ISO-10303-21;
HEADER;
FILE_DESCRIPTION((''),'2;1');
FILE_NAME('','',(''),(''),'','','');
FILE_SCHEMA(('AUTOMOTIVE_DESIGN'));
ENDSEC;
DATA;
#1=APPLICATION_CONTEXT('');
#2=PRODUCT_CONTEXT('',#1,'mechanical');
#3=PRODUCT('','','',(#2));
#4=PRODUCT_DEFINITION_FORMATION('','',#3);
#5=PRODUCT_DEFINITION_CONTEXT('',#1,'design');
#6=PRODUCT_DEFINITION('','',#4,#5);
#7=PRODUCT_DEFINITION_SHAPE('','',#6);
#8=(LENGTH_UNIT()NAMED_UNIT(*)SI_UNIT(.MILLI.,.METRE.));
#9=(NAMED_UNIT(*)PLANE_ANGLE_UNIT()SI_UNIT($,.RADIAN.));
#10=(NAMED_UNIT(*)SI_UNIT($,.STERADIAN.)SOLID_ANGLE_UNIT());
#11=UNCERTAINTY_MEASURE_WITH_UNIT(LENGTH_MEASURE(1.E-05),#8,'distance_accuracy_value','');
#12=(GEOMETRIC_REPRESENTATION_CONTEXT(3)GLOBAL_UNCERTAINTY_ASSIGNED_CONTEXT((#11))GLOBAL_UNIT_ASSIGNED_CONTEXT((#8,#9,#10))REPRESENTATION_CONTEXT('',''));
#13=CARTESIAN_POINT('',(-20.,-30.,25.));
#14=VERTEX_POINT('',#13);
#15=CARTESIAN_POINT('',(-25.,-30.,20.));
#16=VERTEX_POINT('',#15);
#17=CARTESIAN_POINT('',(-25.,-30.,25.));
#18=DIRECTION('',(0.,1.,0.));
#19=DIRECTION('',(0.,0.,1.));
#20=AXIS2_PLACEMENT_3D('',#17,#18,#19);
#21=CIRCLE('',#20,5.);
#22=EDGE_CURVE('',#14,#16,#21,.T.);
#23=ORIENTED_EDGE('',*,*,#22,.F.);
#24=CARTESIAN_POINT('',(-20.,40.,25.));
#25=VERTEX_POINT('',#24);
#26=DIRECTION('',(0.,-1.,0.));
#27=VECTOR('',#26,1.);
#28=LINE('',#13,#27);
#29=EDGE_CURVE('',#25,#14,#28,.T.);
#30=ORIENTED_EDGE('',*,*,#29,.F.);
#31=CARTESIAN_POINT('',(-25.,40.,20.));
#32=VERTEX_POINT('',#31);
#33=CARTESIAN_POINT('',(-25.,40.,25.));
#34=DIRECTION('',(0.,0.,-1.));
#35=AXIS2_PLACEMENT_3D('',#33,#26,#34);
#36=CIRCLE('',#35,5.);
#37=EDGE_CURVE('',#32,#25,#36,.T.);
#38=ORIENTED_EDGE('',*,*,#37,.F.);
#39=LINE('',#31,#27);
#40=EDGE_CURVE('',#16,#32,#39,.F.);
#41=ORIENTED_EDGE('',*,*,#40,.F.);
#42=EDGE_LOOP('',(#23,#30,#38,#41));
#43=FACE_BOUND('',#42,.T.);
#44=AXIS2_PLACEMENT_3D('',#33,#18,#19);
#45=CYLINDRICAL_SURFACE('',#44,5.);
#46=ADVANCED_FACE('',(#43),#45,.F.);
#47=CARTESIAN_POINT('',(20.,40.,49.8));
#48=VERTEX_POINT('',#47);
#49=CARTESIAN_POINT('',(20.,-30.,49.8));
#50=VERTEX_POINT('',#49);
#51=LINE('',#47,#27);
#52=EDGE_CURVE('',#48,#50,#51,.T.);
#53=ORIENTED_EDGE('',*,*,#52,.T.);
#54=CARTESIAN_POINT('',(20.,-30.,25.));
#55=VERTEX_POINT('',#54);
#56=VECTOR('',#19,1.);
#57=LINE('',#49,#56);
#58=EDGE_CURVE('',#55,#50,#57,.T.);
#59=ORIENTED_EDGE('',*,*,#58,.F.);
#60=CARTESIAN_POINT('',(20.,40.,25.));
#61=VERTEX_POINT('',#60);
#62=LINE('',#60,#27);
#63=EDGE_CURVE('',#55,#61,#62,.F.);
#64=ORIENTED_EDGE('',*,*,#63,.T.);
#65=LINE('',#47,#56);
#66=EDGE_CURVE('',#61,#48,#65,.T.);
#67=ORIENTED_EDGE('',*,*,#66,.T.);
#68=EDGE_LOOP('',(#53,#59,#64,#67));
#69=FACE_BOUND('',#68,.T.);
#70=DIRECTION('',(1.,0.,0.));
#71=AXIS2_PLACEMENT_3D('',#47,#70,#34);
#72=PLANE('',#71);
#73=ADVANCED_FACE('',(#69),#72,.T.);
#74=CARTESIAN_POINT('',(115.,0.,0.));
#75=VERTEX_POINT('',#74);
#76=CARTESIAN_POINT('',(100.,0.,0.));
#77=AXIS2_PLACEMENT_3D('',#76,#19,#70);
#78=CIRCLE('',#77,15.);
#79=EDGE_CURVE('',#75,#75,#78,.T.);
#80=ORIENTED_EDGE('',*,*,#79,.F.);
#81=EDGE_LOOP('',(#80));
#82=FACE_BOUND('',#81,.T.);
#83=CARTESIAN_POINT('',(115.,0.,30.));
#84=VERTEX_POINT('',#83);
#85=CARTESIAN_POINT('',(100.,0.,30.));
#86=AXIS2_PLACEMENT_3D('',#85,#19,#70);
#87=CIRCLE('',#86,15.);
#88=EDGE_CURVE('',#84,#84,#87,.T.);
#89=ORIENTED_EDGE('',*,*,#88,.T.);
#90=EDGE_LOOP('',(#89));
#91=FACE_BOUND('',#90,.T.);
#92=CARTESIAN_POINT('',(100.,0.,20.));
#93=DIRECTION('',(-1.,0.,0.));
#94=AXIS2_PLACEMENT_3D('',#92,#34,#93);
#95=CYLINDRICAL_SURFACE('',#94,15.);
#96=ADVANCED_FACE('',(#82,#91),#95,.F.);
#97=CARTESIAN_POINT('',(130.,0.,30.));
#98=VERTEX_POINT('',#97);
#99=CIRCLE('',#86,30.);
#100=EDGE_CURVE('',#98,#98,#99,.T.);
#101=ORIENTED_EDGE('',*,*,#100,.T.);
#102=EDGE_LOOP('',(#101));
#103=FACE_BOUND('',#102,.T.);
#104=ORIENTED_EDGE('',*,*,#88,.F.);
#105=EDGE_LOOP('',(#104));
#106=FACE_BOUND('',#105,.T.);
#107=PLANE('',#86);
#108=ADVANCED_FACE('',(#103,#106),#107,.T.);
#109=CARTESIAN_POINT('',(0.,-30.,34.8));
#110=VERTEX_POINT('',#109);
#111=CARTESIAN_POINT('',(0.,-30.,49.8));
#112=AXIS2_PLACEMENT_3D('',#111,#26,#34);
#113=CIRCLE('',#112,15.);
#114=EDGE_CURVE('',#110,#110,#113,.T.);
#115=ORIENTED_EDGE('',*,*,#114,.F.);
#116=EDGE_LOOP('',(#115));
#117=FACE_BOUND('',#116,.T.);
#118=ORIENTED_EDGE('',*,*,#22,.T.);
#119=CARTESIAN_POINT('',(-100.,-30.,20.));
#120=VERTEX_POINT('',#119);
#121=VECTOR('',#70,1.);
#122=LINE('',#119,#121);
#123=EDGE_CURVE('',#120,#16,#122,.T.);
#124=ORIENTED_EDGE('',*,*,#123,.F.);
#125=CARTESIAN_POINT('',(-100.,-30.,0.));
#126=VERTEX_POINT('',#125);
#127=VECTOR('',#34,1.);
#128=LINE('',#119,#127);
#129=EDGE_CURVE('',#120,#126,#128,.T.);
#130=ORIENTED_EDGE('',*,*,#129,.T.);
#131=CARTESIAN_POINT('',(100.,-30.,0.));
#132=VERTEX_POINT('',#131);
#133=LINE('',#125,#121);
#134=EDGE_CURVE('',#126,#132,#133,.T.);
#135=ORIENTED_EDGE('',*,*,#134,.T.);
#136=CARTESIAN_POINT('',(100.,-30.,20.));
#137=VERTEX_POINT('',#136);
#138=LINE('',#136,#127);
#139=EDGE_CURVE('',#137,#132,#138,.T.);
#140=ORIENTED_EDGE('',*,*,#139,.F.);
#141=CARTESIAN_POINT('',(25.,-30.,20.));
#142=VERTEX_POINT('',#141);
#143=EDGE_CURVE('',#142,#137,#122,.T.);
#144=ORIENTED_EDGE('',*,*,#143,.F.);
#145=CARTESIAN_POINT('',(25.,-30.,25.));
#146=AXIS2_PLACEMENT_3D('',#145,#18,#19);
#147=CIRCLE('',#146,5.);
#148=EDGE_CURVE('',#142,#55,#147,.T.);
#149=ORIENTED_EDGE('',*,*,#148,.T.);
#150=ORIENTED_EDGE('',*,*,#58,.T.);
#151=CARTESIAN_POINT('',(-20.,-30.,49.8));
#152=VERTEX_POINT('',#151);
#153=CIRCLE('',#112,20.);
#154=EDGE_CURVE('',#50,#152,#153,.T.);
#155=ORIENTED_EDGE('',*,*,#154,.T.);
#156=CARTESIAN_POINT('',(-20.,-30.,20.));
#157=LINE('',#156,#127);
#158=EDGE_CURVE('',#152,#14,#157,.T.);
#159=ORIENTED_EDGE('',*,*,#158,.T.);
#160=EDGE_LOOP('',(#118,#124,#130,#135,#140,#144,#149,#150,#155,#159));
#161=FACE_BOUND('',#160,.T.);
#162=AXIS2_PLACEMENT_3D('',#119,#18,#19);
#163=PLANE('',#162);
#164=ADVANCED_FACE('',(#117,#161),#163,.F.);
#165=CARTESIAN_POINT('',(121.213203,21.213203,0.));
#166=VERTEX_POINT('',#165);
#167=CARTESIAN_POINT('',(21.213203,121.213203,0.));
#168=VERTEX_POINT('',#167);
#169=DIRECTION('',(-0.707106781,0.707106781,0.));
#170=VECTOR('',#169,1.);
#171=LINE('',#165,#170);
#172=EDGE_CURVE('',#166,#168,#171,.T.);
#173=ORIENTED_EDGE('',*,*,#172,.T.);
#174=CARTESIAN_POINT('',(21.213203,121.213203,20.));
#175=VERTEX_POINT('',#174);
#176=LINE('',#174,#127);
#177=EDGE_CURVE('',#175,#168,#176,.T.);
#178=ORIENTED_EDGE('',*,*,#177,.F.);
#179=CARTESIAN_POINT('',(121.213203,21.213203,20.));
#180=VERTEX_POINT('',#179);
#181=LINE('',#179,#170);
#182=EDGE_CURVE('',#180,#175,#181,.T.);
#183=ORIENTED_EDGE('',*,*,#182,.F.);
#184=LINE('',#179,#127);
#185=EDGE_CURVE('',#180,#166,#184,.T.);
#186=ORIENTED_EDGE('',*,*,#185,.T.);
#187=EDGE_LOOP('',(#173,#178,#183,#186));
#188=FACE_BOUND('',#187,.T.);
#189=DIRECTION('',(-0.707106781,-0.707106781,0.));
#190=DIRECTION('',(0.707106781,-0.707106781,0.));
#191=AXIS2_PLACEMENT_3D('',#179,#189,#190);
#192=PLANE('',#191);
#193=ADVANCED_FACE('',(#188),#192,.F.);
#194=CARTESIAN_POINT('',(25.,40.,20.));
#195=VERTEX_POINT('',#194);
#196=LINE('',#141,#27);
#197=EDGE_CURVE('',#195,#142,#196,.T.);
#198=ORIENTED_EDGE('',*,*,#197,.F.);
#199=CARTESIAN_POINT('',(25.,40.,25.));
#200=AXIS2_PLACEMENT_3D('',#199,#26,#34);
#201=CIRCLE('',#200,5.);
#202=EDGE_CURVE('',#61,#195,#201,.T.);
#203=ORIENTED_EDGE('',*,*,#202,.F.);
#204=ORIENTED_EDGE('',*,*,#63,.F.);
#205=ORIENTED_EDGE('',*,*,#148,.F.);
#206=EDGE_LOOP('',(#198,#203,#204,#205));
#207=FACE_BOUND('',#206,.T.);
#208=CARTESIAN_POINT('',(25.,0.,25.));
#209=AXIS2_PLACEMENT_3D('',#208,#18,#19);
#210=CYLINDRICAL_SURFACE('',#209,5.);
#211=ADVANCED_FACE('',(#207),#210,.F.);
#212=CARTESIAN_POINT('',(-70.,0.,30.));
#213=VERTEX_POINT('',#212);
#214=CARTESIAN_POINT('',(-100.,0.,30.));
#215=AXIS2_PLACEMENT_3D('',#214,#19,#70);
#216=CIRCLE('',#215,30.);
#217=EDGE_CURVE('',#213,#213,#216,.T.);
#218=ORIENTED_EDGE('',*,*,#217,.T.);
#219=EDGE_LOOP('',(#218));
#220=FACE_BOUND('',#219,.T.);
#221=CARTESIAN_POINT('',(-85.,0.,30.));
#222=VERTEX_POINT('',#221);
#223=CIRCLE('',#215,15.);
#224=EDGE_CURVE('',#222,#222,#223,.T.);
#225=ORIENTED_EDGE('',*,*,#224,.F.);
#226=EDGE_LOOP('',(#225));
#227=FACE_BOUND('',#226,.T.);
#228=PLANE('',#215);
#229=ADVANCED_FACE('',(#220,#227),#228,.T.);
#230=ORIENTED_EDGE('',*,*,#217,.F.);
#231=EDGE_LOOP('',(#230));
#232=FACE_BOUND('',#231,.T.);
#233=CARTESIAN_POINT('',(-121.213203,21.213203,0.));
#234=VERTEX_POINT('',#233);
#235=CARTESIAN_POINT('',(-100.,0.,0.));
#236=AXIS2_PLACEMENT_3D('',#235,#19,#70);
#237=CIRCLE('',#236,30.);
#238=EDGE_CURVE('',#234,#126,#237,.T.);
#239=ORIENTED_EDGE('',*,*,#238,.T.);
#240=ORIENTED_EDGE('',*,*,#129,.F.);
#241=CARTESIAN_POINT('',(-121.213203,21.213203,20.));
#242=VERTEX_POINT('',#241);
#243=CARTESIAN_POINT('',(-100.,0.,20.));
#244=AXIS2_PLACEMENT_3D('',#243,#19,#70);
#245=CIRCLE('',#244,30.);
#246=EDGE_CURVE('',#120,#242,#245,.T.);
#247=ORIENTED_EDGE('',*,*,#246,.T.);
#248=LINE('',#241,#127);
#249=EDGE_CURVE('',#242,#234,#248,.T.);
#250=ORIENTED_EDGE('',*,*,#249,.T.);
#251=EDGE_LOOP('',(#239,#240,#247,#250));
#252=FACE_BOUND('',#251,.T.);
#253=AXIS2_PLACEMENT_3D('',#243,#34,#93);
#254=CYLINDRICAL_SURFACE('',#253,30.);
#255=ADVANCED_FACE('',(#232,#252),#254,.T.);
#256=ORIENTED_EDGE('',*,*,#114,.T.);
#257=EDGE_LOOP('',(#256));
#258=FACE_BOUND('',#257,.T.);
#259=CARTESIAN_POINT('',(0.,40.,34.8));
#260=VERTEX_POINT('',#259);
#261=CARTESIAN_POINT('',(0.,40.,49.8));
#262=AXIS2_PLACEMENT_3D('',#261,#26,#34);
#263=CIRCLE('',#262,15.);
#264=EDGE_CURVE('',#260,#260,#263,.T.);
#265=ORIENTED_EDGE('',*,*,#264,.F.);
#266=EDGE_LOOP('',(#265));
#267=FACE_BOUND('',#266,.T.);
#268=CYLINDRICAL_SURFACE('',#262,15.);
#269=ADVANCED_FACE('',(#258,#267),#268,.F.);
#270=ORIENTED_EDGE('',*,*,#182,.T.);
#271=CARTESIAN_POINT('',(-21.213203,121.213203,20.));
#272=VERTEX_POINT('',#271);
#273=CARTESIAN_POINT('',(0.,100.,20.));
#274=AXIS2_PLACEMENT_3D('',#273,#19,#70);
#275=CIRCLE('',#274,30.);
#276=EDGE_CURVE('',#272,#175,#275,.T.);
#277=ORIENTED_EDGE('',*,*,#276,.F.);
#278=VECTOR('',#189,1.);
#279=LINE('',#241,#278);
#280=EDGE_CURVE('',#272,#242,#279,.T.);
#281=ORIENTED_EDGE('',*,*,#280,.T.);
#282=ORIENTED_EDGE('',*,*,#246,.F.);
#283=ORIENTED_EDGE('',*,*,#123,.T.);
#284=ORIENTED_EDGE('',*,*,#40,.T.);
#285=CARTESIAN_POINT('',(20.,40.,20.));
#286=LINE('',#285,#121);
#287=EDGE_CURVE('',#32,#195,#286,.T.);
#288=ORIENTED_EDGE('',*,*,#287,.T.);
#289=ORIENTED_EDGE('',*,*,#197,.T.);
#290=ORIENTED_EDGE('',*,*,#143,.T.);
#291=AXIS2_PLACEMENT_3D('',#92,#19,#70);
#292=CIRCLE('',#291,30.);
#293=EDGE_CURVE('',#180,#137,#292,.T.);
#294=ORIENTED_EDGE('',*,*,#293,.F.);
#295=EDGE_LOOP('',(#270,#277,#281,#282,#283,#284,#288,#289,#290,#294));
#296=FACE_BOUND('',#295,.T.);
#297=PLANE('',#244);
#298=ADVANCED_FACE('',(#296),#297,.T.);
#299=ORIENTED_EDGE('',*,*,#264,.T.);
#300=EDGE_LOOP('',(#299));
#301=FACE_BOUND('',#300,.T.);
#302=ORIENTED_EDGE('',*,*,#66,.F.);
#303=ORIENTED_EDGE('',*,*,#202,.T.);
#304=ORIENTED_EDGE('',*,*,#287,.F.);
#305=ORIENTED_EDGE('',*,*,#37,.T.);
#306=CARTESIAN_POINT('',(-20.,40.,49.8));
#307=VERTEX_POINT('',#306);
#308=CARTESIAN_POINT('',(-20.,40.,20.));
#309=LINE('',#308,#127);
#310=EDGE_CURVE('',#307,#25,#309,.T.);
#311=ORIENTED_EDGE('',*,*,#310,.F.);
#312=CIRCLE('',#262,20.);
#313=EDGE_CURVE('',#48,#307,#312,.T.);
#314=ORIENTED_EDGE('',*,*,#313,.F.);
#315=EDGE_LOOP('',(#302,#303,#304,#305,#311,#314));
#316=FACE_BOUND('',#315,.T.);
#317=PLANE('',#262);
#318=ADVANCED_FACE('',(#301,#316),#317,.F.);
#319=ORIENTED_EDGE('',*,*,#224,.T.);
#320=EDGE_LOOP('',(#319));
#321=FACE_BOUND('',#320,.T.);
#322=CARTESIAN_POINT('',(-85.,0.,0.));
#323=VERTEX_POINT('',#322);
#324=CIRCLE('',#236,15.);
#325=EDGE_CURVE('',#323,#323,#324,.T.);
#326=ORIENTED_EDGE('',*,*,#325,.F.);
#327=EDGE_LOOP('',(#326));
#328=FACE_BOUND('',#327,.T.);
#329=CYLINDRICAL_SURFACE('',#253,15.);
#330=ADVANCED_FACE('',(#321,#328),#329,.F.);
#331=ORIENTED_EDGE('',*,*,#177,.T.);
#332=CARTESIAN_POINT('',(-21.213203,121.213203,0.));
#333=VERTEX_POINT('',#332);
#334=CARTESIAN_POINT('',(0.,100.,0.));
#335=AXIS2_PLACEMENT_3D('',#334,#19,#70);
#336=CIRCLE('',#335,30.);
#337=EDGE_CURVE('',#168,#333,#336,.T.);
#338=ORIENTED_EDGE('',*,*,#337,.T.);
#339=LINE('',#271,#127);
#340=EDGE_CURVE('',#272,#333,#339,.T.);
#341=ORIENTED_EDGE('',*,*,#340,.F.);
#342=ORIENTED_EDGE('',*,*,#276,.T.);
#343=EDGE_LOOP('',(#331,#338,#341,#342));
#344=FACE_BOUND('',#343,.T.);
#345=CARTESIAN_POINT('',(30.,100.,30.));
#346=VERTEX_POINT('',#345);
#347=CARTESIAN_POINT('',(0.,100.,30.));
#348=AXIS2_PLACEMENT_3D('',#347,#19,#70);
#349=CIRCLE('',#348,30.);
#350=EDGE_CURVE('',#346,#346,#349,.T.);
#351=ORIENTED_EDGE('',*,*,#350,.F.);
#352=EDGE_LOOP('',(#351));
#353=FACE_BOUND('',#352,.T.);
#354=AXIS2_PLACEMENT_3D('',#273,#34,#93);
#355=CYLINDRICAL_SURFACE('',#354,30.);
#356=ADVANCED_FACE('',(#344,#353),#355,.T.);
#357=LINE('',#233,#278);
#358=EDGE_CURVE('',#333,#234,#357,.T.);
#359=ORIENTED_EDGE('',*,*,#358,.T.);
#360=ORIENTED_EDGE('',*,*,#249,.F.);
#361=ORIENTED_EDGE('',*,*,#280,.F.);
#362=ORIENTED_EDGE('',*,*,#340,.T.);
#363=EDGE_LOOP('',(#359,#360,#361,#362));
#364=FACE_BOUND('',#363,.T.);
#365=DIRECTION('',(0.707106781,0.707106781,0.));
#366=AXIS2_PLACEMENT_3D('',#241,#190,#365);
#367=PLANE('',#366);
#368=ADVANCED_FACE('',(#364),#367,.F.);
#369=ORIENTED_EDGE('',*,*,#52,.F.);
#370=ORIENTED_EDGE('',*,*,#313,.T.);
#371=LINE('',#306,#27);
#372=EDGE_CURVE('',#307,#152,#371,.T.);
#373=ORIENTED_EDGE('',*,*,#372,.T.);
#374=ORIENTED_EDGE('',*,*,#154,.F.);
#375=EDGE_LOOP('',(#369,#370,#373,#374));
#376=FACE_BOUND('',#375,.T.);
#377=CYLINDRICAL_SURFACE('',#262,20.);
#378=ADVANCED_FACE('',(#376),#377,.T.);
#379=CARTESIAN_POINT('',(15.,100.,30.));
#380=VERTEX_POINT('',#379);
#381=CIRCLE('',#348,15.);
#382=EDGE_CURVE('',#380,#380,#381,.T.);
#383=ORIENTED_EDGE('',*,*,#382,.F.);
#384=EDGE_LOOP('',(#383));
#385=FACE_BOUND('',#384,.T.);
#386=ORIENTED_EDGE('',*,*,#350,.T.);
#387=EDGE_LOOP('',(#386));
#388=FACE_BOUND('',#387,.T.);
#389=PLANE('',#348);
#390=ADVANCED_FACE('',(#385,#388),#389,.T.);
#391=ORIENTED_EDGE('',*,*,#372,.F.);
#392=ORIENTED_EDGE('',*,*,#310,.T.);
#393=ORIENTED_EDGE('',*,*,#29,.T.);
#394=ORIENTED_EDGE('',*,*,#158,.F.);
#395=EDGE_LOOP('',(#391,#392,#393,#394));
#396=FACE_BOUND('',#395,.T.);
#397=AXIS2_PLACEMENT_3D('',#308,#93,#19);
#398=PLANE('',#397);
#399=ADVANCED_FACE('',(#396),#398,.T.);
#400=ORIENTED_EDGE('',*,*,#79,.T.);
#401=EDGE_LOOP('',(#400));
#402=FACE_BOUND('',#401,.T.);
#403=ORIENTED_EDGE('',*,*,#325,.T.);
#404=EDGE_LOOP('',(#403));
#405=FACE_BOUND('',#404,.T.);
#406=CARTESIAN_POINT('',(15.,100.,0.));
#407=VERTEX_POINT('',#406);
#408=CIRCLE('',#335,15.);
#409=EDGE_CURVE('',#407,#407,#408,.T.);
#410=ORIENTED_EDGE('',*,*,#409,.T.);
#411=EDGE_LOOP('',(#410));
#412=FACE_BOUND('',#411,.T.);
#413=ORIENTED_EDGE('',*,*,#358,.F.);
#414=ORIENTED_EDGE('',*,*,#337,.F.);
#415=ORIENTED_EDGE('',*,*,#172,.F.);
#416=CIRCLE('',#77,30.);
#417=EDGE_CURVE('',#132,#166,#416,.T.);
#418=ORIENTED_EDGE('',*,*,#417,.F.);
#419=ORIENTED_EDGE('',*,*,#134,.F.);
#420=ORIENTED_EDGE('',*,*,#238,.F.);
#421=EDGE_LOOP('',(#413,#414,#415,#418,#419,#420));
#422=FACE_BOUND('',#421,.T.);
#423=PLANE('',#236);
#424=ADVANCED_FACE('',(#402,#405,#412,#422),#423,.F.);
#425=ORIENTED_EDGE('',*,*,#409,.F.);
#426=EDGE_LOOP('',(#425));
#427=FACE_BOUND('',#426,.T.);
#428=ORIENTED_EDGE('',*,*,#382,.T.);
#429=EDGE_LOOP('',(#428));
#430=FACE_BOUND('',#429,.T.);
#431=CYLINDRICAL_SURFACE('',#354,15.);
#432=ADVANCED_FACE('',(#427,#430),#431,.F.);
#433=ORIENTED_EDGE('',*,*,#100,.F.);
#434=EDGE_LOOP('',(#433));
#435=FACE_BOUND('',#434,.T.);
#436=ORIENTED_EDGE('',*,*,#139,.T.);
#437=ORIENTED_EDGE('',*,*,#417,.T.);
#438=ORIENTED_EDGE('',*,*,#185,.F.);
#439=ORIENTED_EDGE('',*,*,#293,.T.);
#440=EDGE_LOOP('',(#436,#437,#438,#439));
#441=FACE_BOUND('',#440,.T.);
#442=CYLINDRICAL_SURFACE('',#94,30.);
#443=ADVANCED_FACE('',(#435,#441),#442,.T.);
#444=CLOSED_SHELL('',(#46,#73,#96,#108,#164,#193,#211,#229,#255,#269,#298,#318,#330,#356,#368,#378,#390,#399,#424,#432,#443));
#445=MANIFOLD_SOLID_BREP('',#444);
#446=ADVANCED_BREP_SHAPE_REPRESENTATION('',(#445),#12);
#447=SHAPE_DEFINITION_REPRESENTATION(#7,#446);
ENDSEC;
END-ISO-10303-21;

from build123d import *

# Parameters (mm, degrees)
SKETCH2_R           = 15
BOSS_EXTRUDE2_DEPTH = 20
SKETCH3_R           = 30
SKETCH3_R_2         = 15
BOSS_EXTRUDE3_DEPTH = 10
SKETCH4_R           = 15
BOSS_EXTRUDE4_DEPTH = 70
FILLET1_R           = 5
FILLET2_R           = 5


with BuildPart() as part:
    # Sketch2 → Boss-Extrude2 (new body)
    with BuildSketch(Plane.XY):
        with BuildLine():
            Line((-100, -30), (100, -30))
            ThreePointArc((100, -30), (127.716385975, -11.480502971), (121.213203436, 21.213203436))
            Line((121.213203436, 21.213203436), (21.213203436, 121.213203436))
            ThreePointArc((21.213203436, 121.213203436), (0, 130), (-21.213203436, 121.213203436))
            Line((-21.213203436, 121.213203436), (-121.213203436, 21.213203436))
            ThreePointArc((-121.213203436, 21.213203436), (-127.716385975, -11.480502971), (-100, -30))
        make_face()
        with Locations((100, 0)):
            Circle(SKETCH2_R, mode=Mode.SUBTRACT)
        with Locations((-100, 0)):
            Circle(SKETCH2_R, mode=Mode.SUBTRACT)
        with Locations((0, 100)):
            Circle(SKETCH2_R, mode=Mode.SUBTRACT)
    extrude(amount=BOSS_EXTRUDE2_DEPTH)

    # Sketch3 → Boss-Extrude3 (add)
    # profile 1 of 3: a face of its own
    with BuildSketch(Plane.XY.offset(20)):
        with Locations(Location((-100, 0, 0), (0, 0, 135))):
            Circle(SKETCH3_R)
        with Locations((-100, 0)):
            Circle(SKETCH3_R_2, mode=Mode.SUBTRACT)
    # profile 2 of 3: a face of its own
    with BuildSketch(Plane.XY.offset(20)):
        with Locations(Location((100, 0, 0), (0, 0, 270))):
            Circle(SKETCH3_R)
        with Locations((100, 0)):
            Circle(SKETCH3_R_2, mode=Mode.SUBTRACT)
    # profile 3 of 3: a face of its own
    with BuildSketch(Plane.XY.offset(20)):
        with Locations(Location((0, 100, 0), (0, 0, 135))):
            Circle(SKETCH3_R)
        with Locations((0, 100)):
            Circle(SKETCH3_R_2, mode=Mode.SUBTRACT)
    extrude(amount=BOSS_EXTRUDE3_DEPTH)

    # Sketch4 → Boss-Extrude4 (add)
    with BuildSketch(Plane.XZ.offset(30)):
        with BuildLine():
            Line((20, 49.8), (20, 20))
            Line((20, 20), (-20, 20))
            Line((-20, 20), (-20, 49.8))
            ThreePointArc((-20, 49.8), (0, 69.8), (20, 49.8))
        make_face()
        with Locations(Location((0, 49.8, 0), (0, 0, 270))):
            Circle(SKETCH4_R, mode=Mode.SUBTRACT)
    extrude(amount=-BOSS_EXTRUDE4_DEPTH)

    # Fillet1
    fillet1_edges = [part.edges().sort_by_distance(p)[0] for p in [
        (20, 5, 20),
    ]]
    fillet(fillet1_edges, radius=FILLET1_R)

    # Fillet2
    fillet2_edges = [part.edges().sort_by_distance(p)[0] for p in [
        (-20, 5, 20),
    ]]
    fillet(fillet2_edges, radius=FILLET2_R)


solid = part.part
